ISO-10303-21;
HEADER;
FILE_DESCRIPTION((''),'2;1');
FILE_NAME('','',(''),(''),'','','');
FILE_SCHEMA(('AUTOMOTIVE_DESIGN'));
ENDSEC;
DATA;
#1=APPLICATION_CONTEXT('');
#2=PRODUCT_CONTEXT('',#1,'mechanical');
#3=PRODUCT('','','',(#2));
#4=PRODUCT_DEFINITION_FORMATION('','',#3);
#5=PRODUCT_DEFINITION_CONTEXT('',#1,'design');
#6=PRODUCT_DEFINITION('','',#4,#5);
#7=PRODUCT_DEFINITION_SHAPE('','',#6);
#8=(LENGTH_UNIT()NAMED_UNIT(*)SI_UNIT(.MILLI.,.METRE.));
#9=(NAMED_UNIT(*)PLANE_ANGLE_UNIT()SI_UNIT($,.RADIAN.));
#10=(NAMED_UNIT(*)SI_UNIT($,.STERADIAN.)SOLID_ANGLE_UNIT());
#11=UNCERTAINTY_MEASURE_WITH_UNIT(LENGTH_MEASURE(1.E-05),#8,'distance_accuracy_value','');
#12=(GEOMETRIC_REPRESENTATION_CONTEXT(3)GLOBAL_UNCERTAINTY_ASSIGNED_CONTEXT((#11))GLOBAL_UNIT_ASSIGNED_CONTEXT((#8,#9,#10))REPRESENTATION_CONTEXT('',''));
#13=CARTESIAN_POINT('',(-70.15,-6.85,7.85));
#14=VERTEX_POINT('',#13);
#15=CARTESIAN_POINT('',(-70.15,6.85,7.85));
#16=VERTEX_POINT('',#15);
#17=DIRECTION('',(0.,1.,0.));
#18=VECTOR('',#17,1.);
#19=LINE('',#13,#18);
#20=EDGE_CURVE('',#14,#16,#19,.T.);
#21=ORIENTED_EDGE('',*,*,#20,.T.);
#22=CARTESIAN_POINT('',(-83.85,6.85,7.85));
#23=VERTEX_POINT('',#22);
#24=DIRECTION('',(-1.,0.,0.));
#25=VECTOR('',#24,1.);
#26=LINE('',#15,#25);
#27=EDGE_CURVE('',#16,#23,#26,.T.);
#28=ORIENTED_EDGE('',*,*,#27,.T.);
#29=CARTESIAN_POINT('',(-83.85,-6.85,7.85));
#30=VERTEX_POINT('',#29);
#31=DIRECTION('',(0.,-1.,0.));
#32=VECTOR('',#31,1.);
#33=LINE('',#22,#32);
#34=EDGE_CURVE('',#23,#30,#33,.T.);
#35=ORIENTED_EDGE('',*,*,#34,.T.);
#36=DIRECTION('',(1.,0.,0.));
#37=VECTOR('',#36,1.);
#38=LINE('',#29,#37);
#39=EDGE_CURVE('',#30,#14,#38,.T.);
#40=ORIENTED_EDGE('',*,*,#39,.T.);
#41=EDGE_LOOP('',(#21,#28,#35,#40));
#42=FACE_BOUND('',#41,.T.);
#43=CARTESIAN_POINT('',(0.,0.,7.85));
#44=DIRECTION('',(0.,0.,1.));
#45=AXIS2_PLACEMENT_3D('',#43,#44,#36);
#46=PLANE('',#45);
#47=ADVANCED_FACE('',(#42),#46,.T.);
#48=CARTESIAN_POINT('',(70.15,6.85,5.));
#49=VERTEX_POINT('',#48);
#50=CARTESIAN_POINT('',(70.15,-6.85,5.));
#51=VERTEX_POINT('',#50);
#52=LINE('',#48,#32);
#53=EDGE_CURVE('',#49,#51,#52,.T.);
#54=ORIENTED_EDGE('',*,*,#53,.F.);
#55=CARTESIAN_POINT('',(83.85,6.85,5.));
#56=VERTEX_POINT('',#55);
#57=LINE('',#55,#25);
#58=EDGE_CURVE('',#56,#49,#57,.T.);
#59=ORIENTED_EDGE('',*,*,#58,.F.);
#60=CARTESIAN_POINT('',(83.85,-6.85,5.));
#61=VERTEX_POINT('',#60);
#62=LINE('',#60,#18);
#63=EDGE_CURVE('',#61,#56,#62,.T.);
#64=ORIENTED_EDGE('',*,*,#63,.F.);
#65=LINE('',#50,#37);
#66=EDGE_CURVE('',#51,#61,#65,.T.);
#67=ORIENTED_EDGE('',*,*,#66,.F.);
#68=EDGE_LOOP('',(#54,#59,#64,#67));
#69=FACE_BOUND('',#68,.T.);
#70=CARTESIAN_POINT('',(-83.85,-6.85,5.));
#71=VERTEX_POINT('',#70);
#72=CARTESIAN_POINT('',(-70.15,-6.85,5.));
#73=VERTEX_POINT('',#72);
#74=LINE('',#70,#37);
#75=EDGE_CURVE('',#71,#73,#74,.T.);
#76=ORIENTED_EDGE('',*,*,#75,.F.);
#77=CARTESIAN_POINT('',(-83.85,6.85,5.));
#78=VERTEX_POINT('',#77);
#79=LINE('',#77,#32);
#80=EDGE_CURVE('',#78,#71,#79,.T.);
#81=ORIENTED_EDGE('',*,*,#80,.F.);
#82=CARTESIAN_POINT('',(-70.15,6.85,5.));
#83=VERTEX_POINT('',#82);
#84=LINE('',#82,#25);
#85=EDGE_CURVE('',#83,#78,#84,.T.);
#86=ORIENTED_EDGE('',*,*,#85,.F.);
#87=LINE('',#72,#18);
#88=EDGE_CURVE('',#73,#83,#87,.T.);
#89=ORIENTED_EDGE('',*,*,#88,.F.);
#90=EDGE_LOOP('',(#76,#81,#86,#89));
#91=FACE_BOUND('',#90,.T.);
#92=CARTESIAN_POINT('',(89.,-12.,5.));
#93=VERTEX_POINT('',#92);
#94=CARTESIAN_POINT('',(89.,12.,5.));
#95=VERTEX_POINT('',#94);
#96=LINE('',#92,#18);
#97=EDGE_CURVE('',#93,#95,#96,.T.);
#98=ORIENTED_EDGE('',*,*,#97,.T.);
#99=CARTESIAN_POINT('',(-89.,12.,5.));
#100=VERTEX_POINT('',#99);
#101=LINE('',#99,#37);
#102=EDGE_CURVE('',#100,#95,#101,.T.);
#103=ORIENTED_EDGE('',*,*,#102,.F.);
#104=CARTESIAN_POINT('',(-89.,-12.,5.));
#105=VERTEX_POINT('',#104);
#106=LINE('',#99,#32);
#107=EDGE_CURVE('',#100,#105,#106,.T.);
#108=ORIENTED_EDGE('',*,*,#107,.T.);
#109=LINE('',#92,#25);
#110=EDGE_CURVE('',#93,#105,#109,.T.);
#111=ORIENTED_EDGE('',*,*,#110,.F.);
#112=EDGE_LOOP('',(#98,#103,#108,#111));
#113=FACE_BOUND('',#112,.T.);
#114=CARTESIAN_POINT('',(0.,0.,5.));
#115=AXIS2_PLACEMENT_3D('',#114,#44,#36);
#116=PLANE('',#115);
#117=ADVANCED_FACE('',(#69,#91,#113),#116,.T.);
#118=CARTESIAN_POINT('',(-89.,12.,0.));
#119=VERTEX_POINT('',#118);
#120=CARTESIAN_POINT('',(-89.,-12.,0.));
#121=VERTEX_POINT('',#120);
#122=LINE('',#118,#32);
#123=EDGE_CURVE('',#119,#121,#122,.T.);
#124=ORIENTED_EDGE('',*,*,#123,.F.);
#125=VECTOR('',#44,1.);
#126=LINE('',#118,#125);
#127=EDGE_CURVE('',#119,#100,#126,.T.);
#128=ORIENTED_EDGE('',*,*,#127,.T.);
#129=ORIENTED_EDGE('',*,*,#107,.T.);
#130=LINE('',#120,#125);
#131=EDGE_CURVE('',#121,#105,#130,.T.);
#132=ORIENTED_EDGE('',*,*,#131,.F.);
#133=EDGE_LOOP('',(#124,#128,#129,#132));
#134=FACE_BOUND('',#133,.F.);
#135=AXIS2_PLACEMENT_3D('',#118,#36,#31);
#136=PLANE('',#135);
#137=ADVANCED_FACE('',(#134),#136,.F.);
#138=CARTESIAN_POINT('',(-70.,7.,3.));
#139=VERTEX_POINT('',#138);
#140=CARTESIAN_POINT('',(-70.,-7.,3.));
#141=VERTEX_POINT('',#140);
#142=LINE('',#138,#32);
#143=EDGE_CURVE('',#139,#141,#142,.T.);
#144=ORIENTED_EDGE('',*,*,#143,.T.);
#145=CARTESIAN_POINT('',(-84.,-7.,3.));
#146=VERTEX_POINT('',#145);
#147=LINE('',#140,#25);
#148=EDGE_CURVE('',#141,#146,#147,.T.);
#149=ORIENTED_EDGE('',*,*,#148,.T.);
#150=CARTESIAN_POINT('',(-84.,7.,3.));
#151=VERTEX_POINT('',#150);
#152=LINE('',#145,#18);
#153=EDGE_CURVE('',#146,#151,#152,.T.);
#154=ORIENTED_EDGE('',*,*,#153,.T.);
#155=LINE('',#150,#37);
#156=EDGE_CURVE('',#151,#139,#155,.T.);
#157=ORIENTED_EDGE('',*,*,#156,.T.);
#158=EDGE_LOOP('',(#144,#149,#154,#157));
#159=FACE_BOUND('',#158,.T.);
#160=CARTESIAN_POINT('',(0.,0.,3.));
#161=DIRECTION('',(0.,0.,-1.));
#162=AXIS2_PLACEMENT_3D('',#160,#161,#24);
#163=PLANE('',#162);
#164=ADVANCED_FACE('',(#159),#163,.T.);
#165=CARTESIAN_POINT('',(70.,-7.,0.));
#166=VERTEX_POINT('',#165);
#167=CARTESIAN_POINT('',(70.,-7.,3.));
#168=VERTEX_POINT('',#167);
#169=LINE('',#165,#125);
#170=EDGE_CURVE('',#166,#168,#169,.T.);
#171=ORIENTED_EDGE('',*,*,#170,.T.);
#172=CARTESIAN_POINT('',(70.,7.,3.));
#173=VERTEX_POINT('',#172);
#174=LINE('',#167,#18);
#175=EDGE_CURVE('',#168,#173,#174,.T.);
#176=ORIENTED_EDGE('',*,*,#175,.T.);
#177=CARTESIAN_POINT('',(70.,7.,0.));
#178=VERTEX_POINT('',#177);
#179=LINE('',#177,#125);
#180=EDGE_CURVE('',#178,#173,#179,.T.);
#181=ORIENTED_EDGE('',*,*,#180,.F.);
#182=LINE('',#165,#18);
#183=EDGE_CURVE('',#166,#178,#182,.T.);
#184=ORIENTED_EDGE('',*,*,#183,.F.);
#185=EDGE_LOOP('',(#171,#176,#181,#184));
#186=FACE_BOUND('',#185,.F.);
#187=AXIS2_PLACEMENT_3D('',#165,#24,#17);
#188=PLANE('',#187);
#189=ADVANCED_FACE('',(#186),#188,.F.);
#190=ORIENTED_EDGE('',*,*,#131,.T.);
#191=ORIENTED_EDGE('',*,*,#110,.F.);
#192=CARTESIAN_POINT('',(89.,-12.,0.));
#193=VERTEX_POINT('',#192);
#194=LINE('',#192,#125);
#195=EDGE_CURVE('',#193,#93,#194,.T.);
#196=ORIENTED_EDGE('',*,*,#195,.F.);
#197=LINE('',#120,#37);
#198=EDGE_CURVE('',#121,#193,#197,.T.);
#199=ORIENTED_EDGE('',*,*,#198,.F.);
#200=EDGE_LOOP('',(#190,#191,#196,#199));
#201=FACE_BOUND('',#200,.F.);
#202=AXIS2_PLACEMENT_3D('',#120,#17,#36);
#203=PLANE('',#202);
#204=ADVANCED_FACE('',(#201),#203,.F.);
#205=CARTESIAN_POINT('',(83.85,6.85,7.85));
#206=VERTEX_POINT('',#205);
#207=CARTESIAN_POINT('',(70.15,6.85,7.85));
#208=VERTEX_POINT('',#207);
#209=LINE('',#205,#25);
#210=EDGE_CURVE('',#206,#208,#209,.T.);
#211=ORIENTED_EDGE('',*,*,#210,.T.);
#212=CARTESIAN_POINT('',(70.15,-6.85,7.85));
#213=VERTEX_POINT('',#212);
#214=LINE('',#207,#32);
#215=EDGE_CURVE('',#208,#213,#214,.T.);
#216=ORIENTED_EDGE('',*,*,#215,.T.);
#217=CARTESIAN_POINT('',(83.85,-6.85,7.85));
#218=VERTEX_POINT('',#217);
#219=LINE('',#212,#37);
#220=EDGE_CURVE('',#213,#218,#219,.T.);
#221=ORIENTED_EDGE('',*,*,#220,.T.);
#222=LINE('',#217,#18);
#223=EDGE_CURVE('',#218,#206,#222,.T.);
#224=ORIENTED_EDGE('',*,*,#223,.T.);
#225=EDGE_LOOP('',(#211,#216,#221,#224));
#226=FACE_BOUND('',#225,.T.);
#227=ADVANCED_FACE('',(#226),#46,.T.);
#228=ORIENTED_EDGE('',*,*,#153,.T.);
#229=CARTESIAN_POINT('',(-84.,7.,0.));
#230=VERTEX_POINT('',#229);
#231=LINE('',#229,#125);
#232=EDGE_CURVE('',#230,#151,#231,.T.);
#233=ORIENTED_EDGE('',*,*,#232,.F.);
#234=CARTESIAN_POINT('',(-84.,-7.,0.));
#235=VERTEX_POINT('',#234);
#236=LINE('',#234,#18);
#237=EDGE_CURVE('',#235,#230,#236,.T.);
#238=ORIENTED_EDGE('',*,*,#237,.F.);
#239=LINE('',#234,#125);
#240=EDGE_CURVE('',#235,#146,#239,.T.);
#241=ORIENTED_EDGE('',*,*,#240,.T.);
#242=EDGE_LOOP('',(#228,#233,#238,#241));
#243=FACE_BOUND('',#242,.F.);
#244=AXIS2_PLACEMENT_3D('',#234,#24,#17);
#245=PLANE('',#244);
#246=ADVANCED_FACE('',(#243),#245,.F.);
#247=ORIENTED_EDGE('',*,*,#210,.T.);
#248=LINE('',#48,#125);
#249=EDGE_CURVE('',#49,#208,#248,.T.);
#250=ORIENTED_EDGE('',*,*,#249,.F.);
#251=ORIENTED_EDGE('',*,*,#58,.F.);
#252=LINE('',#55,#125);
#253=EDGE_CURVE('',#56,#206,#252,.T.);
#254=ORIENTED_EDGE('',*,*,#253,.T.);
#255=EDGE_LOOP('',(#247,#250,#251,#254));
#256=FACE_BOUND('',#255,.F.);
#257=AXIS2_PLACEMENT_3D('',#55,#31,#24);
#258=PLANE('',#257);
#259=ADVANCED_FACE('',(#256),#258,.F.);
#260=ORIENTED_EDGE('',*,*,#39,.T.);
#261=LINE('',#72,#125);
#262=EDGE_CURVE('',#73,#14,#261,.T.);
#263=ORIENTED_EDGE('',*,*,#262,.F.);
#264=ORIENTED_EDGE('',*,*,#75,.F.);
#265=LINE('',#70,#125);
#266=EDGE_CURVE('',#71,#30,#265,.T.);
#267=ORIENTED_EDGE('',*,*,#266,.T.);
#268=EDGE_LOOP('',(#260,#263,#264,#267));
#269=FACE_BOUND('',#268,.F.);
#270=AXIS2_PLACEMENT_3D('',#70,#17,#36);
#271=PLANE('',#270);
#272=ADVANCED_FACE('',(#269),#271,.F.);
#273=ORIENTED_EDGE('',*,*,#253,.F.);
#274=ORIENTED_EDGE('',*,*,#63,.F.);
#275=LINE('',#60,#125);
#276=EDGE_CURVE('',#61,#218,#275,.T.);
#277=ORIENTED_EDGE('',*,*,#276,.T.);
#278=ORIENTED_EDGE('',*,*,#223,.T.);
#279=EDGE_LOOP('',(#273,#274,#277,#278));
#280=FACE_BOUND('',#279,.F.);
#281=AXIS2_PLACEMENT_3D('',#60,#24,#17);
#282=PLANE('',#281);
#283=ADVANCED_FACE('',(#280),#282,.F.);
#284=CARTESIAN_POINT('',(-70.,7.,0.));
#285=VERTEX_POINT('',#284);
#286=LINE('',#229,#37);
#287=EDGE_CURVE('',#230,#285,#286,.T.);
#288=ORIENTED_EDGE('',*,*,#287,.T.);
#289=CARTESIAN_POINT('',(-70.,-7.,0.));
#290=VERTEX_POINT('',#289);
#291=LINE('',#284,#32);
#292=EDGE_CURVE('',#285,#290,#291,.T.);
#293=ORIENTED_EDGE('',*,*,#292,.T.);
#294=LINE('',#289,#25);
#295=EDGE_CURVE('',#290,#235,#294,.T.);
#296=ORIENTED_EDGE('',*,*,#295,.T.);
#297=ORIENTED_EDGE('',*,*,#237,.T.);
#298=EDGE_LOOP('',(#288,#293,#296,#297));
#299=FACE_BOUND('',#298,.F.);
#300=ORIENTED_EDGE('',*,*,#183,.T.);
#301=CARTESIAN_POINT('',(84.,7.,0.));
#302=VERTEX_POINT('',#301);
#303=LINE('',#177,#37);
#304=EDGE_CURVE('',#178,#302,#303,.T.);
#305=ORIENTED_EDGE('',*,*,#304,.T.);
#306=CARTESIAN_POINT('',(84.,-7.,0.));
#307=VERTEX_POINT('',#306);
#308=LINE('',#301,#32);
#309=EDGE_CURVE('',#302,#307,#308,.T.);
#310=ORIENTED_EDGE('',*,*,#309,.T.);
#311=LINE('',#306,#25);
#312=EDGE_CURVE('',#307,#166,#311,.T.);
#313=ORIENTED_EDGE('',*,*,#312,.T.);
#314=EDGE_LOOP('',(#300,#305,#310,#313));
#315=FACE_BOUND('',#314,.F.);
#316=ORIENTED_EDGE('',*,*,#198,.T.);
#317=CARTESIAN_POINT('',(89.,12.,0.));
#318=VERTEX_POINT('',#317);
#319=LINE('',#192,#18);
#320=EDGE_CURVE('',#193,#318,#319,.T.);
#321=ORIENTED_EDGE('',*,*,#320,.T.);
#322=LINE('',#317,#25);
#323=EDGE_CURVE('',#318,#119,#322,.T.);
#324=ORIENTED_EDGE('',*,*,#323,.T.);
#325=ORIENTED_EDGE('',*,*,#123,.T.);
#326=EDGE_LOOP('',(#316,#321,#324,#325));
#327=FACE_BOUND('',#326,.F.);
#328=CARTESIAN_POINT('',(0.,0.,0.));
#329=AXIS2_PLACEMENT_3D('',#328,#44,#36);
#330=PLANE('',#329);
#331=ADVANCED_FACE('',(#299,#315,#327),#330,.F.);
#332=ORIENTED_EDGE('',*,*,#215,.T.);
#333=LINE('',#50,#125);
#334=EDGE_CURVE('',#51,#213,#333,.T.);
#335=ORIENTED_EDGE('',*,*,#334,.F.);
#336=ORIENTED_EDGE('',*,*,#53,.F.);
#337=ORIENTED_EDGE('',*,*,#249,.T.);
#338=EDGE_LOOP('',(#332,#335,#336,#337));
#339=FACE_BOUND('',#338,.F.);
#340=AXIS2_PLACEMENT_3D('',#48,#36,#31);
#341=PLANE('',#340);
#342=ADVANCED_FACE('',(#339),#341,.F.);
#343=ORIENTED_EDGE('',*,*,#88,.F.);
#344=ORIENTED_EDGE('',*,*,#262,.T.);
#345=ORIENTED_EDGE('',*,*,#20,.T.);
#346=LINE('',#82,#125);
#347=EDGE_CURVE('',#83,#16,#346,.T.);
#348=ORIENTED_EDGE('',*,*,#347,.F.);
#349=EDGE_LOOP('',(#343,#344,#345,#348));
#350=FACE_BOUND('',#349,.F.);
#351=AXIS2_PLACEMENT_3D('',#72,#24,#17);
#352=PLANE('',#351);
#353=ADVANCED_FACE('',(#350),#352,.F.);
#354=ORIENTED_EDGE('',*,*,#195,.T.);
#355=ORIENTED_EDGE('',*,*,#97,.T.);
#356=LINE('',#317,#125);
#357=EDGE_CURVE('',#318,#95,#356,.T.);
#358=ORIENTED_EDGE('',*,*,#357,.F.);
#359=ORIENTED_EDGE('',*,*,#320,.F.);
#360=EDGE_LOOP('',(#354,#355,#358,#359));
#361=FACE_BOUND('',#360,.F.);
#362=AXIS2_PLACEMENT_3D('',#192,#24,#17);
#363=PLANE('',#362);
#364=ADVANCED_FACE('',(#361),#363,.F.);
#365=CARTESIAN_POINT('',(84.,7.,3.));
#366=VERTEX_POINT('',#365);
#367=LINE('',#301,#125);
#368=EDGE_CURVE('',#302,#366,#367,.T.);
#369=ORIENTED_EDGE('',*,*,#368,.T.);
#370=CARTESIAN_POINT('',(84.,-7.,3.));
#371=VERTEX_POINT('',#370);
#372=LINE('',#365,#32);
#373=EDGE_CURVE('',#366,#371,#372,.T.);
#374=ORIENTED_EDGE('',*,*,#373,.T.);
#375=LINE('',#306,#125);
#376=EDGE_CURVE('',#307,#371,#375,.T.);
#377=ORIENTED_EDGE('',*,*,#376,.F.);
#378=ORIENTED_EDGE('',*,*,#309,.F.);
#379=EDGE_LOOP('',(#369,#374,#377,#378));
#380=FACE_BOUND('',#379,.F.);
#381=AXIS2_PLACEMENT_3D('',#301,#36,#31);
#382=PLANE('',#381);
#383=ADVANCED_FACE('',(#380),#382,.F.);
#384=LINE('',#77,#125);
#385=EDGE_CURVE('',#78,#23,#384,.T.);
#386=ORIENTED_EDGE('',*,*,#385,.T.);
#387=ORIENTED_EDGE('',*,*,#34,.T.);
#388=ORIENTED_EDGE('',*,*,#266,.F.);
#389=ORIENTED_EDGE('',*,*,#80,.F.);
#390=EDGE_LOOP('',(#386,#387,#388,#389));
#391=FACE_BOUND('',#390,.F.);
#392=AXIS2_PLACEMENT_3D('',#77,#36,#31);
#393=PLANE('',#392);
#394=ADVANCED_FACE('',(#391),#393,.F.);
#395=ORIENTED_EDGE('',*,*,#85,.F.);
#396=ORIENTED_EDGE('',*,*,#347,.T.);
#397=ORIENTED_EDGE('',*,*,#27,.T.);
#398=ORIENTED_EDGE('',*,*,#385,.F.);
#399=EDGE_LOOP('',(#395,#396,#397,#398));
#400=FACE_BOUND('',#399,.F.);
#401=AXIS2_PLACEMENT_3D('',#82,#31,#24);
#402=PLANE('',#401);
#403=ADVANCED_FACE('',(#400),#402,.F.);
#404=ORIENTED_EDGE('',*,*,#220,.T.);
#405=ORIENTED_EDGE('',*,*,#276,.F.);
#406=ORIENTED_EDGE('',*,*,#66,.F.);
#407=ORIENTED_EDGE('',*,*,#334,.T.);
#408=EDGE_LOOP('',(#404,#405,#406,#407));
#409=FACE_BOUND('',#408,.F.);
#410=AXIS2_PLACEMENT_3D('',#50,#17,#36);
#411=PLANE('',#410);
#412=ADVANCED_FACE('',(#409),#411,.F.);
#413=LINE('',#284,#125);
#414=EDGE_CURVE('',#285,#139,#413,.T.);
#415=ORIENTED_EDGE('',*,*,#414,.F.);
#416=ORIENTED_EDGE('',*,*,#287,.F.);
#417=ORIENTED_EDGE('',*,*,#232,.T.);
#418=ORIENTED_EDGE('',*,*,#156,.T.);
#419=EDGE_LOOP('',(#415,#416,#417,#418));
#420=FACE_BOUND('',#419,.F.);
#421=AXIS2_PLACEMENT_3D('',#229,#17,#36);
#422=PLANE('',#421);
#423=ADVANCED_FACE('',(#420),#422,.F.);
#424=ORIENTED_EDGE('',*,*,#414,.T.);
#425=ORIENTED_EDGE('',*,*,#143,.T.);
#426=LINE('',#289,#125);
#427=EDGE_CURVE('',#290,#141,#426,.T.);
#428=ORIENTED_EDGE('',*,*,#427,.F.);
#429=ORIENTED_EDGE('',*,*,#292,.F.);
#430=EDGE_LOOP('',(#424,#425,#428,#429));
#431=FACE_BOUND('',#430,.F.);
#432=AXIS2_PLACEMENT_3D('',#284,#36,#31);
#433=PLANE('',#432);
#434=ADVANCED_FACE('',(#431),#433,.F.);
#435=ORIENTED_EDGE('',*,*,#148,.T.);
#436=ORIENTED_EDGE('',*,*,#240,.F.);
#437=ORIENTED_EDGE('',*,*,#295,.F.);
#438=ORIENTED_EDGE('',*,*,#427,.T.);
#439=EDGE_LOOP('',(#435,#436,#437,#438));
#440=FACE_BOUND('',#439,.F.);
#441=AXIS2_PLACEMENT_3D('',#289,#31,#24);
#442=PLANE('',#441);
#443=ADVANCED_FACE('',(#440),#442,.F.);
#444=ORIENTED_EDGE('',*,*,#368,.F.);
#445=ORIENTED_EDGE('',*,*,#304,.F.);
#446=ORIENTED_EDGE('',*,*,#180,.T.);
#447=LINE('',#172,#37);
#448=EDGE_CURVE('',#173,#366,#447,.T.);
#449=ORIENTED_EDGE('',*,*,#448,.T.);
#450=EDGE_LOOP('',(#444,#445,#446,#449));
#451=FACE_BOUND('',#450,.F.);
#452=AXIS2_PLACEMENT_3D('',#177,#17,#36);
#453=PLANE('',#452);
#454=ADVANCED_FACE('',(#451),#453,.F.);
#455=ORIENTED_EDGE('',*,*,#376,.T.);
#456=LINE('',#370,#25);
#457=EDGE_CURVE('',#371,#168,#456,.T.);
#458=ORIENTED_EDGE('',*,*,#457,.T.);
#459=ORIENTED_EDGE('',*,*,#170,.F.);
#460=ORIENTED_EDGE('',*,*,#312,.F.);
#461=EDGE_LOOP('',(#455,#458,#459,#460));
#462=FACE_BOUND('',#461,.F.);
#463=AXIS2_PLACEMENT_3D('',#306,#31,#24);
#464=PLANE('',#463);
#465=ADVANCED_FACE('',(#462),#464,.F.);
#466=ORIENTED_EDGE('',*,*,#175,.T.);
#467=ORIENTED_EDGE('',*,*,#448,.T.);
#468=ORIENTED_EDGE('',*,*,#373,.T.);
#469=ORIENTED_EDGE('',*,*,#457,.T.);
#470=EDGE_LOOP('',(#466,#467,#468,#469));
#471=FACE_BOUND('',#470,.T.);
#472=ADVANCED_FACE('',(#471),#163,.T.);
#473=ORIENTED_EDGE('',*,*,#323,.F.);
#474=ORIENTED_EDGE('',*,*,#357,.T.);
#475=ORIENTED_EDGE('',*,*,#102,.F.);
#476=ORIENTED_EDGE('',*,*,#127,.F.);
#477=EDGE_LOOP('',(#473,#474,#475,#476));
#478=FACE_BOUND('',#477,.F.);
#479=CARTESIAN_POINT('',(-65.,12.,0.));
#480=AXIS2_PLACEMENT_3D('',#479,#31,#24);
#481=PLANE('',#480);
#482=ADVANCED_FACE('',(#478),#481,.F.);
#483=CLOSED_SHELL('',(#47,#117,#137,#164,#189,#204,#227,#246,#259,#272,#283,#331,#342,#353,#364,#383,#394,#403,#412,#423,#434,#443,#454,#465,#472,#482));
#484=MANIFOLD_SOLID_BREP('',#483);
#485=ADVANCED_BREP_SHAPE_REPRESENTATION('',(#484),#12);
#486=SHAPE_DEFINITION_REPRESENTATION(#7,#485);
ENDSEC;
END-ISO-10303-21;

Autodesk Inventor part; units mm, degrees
ref_plane "YZ Plane" through (0, 0, 0) normal (1, 0, 0) x (0, 1, 0)
ref_plane "XZ Plane" through (0, 0, 0) normal (0, 1, 0) x (-1, 0, 0)
ref_plane "XY Plane" through (0, 0, 0) normal (0, 0, 1) x (1, 0, 0)
sketch "Skizze1" plane through (0, 0, 0) normal (0, 0, 1) x (1, 0, 0)
  line L0 (-89, -12) -> (89, -12)
  line L1 (89, -12) -> (89, 12)
  line L2 (89, 12) -> (-89, 12)
  line L3 (-89, 12) -> (-89, -12)
  line L4 (-89, -12) -> (89, 12) construction
  line L5 (89, -12) -> (-89, 12) construction
  line L6 (65, 12) -> (65, -12)
  line L7 (-65, 12) -> (-65, -12)
  line L8 (-89, 12) -> (-65, -12) construction
  line L9 (-65, 12) -> (-89, -12) construction
  line L10 (89, 12) -> (65, -12) construction
  line L11 (65, 12) -> (89, -12) construction
  point P0 (0, 0)
  dimension "d0" = 178
  dimension "d1" = 24
  dimension "d2" = 24
  dimension "d3" = 24
extrude "Extrusion1" add sketch "Skizze1" along normal blind 5
sketch "Skizze3" plane through (0, 0, 5) normal (0, 0, 1) x (1, 0, 0)
  line L0 (-89, -12) -> (89, -12)
  line L1 (89, -12) -> (89, 12)
  line L2 (89, 12) -> (-89, 12)
  line L3 (-89, 12) -> (-89, -12)
  line L4 (-89, -12) -> (89, 12) construction
  line L5 (89, -12) -> (-89, 12) construction
  line L6 (65, 12) -> (65, -12)
  line L7 (-65, 12) -> (-65, -12)
  line L8 (-89, 12) -> (-65, -12) construction
  line L9 (-65, 12) -> (-89, -12) construction
  line L10 (89, 12) -> (65, -12) construction
  line L11 (65, 12) -> (89, -12) construction
  line L12 (70.15, -6.85) -> (83.85, -6.85)
  line L13 (83.85, -6.85) -> (83.85, 6.85)
  line L14 (83.85, 6.85) -> (70.15, 6.85)
  line L15 (70.15, 6.85) -> (70.15, -6.85)
  line L16 (70.15, -6.85) -> (83.85, 6.85) construction
  line L17 (83.85, -6.85) -> (70.15, 6.85) construction
  line L18 (-83.85, -6.85) -> (-70.15, -6.85)
  line L19 (-70.15, -6.85) -> (-70.15, 6.85)
  line L20 (-70.15, 6.85) -> (-83.85, 6.85)
  line L21 (-83.85, 6.85) -> (-83.85, -6.85)
  line L22 (-83.85, -6.85) -> (-70.15, 6.85) construction
  line L23 (-70.15, -6.85) -> (-83.85, 6.85) construction
  point P0 (0, 0)
  point P1 (0, 0)
  point P2 (77, 0)
  point P3 (-77, 0)
  dimension "d10" = 178
  dimension "d11" = 24
  dimension "d12" = 24
  dimension "d13" = 24
  dimension "d14" = 13.7
  dimension "d15" = 13.7
extrude "Extrusion2" add sketch "Skizze3" along normal blind 2.85 contours L15 L14 L13 L12 | L21 L20 L19 L18
sketch "Skizze4" plane through (0, 0, 0) normal (0, 0, -1) x (-1, 0, 0)
  line L0 (-89, -12) -> (89, -12)
  line L1 (89, -12) -> (89, 12)
  line L2 (89, 12) -> (-89, 12)
  line L3 (-89, 12) -> (-89, -12)
  line L4 (-89, -12) -> (89, 12) construction
  line L5 (89, -12) -> (-89, 12) construction
  line L6 (65, 12) -> (65, -12)
  line L7 (-65, 12) -> (-65, -12)
  line L8 (-89, 12) -> (-65, -12) construction
  line L9 (-65, 12) -> (-89, -12) construction
  line L10 (89, 12) -> (65, -12) construction
  line L11 (65, 12) -> (89, -12) construction
  line L12 (70, -7) -> (84, -7)
  line L13 (84, -7) -> (84, 7)
  line L14 (84, 7) -> (70, 7)
  line L15 (70, 7) -> (70, -7)
  line L16 (70, -7) -> (84, 7) construction
  line L17 (84, -7) -> (70, 7) construction
  line L18 (-84, -7) -> (-70, -7)
  line L19 (-70, -7) -> (-70, 7)
  line L20 (-70, 7) -> (-84, 7)
  line L21 (-84, 7) -> (-84, -7)
  line L22 (-84, -7) -> (-70, 7) construction
  line L23 (-70, -7) -> (-84, 7) construction
  point P0 (0, 0)
  point P1 (0, 0)
  point P2 (0, 0)
  point P3 (77, 0)
  point P4 (-77, 0)
  dimension "d18" = 178
  dimension "d19" = 24
  dimension "d20" = 24
  dimension "d21" = 24
  dimension "d22" = 14
  dimension "d23" = 14
extrude "Extrusion3" cut sketch "Skizze4" against normal blind 3 contours L15 L14 L13 L12 | L21 L20 L19 L18
properties part number "20210330_Stabilisator_Korpus" material "Acetal Resin, Black"
